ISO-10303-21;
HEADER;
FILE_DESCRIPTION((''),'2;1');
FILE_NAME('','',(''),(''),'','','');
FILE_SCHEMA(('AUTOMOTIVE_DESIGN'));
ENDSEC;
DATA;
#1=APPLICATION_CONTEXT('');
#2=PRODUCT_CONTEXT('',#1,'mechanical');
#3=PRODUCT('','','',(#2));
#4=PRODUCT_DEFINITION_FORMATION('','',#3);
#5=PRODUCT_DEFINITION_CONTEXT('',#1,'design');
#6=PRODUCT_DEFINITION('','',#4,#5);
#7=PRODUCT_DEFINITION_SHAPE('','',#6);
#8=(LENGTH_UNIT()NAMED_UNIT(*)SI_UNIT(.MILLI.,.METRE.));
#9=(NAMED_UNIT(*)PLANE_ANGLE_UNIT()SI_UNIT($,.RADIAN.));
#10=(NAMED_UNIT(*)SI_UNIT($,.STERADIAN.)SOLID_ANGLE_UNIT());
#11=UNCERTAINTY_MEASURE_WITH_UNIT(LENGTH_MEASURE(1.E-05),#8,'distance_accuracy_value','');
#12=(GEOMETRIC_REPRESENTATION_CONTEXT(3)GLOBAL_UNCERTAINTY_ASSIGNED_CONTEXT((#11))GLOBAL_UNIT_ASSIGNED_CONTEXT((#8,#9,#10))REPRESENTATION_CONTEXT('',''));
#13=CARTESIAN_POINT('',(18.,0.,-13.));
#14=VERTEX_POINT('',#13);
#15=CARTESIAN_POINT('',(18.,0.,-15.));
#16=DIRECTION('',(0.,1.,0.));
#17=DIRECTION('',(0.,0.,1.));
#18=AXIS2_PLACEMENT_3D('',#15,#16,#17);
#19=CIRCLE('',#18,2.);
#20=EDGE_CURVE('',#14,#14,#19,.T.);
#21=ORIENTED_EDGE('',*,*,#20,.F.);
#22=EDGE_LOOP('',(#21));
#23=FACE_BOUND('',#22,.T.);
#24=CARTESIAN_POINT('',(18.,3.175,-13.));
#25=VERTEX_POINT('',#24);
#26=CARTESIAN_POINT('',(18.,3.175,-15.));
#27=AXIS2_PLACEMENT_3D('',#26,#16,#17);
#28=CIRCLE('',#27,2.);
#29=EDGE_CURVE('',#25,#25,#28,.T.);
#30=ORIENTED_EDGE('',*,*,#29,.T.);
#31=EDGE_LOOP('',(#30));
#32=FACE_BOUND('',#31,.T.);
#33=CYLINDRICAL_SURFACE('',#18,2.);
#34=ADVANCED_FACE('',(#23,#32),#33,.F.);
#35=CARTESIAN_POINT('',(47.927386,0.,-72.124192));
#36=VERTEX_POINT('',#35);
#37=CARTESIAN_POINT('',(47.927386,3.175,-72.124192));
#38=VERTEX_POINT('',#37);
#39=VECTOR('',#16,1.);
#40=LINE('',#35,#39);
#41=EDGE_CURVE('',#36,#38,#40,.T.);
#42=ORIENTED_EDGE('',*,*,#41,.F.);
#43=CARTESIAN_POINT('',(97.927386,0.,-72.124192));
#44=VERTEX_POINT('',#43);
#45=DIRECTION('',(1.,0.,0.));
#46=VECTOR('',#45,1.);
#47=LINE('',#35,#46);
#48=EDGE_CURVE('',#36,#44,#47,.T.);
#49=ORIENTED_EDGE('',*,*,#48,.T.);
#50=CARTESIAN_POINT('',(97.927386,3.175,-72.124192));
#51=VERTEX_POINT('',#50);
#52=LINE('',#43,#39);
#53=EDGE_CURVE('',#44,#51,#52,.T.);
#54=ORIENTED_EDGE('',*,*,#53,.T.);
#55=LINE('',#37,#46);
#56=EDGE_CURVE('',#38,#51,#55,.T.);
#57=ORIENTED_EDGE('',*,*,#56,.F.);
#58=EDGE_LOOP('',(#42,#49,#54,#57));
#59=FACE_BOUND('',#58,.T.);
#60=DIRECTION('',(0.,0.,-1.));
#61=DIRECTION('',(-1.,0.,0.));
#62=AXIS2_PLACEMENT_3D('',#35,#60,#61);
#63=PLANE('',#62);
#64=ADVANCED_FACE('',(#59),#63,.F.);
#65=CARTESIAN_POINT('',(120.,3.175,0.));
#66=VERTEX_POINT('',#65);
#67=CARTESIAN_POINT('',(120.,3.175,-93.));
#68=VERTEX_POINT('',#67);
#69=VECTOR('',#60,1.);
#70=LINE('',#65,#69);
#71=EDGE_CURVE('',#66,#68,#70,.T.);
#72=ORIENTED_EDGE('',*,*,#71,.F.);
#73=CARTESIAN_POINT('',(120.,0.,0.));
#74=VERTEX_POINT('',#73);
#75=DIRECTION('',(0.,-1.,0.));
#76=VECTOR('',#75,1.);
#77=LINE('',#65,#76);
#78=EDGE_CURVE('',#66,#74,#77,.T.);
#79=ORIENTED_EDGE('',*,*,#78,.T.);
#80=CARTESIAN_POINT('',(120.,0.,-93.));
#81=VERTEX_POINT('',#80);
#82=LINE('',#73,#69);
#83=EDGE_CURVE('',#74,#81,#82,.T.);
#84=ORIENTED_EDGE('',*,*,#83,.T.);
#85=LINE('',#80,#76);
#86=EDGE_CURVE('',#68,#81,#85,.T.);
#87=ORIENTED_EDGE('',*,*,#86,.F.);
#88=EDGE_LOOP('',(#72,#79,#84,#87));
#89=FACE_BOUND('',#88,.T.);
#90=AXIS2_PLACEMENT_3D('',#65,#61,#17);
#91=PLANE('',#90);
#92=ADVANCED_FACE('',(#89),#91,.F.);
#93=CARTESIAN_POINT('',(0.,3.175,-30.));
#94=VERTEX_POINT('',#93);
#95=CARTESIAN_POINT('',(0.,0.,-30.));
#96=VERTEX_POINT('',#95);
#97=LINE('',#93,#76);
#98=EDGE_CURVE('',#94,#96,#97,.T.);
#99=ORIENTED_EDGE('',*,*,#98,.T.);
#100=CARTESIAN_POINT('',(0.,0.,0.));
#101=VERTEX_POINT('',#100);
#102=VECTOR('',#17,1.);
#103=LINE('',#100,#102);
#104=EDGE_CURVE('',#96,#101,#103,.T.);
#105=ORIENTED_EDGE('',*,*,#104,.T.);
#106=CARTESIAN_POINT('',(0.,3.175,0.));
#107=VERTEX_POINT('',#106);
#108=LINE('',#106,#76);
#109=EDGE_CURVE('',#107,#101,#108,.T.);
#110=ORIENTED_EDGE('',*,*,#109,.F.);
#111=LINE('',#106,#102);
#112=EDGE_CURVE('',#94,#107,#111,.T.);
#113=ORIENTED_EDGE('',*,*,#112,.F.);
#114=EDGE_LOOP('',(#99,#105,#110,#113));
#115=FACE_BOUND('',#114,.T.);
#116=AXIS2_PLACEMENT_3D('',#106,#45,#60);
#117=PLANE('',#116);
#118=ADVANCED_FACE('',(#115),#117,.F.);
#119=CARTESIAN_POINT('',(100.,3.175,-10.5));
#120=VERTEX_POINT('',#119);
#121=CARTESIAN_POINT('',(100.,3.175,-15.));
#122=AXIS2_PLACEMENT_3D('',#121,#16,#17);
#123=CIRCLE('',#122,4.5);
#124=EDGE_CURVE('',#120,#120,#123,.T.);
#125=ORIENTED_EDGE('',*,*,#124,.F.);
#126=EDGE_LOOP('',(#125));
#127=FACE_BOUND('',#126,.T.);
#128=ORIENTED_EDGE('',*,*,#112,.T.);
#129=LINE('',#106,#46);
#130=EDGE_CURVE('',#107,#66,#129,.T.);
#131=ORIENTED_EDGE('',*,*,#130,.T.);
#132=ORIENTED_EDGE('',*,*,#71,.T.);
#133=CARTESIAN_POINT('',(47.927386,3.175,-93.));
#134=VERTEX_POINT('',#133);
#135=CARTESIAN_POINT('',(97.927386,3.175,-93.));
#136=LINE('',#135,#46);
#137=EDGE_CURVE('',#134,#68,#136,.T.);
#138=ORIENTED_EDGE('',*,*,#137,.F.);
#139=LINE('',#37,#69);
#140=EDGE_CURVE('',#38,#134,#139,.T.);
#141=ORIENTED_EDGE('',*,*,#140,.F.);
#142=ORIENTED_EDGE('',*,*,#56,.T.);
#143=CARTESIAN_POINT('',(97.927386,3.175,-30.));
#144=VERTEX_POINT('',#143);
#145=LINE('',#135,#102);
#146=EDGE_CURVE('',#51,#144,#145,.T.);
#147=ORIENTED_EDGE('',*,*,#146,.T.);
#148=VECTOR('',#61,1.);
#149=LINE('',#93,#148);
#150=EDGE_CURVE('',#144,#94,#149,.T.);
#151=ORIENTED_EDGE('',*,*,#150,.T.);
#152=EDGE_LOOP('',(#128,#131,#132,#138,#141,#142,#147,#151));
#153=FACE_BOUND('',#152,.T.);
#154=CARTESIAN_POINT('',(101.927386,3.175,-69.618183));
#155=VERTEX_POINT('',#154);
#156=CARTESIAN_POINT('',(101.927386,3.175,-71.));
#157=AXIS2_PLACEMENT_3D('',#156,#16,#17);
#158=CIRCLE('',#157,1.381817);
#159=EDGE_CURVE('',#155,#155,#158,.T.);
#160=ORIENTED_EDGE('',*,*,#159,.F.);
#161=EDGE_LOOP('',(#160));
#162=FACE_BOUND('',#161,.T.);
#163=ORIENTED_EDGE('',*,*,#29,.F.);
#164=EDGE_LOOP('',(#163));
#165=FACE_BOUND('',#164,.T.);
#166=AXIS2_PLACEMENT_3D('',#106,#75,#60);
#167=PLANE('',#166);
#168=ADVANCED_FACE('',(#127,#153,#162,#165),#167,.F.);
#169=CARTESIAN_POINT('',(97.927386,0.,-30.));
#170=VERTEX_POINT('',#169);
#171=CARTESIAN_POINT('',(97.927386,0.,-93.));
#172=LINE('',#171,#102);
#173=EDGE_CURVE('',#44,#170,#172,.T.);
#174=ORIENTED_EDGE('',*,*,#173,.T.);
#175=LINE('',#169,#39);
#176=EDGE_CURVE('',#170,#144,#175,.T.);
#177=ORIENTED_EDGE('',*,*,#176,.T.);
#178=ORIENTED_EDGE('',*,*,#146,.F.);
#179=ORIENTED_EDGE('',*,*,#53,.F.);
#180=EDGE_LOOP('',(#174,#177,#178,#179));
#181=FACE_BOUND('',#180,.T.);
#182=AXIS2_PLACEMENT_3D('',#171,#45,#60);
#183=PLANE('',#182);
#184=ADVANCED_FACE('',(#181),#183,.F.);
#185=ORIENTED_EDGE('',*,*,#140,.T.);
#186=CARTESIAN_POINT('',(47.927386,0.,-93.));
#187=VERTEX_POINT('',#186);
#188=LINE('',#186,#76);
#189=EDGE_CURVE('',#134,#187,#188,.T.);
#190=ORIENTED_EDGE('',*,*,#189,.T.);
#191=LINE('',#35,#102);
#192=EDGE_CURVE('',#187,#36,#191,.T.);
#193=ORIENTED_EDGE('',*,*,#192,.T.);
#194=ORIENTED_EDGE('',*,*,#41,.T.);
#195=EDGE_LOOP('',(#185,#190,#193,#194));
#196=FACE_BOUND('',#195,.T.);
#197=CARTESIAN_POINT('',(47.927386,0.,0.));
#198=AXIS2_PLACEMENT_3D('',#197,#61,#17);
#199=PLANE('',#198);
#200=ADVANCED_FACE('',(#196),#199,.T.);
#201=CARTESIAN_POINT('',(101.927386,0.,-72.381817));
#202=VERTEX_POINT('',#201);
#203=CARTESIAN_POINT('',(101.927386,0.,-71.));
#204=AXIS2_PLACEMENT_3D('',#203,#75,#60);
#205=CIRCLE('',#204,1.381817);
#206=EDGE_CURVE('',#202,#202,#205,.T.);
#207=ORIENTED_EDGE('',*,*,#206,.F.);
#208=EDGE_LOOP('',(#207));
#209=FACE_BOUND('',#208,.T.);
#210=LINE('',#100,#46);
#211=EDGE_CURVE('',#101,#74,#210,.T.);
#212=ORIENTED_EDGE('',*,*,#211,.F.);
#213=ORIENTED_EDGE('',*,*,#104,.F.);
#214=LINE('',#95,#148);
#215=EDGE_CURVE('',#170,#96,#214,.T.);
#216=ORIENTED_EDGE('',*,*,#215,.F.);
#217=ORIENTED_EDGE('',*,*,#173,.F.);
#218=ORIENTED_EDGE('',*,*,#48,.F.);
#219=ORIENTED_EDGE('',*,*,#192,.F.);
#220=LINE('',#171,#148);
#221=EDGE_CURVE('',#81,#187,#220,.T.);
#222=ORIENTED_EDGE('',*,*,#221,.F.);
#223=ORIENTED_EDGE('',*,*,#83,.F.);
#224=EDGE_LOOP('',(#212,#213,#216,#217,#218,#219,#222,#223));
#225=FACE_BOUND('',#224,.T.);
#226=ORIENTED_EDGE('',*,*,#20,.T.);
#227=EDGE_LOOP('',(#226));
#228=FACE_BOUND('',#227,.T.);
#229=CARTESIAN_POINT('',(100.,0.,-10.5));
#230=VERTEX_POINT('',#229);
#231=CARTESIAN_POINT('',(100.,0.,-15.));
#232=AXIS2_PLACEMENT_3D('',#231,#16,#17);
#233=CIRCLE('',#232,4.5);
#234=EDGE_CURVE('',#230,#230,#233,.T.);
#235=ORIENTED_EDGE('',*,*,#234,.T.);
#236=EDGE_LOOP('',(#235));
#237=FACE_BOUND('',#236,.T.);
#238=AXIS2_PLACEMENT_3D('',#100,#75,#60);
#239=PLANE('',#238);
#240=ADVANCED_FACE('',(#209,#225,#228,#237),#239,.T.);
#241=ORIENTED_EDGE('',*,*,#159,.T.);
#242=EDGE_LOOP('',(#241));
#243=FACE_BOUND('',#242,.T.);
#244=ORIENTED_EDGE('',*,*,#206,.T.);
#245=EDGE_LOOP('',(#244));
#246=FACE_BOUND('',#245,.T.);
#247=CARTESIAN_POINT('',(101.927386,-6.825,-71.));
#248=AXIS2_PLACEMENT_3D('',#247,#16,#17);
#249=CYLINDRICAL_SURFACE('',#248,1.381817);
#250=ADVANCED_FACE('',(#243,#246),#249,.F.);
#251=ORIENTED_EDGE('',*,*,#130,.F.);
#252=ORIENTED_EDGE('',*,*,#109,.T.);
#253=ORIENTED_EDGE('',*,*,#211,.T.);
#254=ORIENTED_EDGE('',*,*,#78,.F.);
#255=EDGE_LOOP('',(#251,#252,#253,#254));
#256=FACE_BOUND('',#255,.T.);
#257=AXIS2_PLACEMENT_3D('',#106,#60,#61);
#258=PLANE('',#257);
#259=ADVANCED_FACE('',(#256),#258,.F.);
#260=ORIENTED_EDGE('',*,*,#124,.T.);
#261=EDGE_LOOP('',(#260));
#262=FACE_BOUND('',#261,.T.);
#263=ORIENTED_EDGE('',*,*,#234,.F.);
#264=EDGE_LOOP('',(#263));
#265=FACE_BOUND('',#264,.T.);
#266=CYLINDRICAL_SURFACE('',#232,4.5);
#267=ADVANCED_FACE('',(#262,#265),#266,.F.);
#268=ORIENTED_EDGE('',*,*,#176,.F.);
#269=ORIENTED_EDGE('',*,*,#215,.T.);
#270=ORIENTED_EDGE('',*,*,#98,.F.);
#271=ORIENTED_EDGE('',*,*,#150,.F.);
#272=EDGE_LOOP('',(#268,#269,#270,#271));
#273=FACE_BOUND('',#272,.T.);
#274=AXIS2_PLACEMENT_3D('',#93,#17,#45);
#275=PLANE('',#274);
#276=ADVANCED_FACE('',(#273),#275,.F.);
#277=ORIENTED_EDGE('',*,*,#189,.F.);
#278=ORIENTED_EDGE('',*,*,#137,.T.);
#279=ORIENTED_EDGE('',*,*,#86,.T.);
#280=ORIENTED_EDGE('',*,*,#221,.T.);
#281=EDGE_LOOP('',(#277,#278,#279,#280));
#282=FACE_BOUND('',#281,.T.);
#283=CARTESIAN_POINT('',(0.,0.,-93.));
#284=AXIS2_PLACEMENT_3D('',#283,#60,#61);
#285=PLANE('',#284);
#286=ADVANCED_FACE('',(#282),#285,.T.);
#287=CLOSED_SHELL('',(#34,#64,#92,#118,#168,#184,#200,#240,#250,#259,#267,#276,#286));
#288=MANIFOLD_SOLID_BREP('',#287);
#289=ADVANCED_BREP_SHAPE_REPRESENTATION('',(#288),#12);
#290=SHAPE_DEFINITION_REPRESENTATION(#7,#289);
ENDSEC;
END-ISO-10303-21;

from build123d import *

# Parameters (mm, degrees)
SKETCH1_W           = 120
SKETCH1_H           = 30
BOSS_EXTRUDE1_DEPTH = 3.175
SKETCH2_R           = 2
SKETCH2_R_2         = 4.5
CUT_EXTRUDE1_DEPTH  = 3.175
SKETCH3_W           = 22.072613883
SKETCH3_H           = 3.175
BOSS_EXTRUDE2_DEPTH = 63
SKETCH4_R           = 1.381817411
CUT_EXTRUDE2_DEPTH  = 10
SKETCH5_W           = 20.875808172
SKETCH5_H           = 3.175
BOSS_EXTRUDE3_DEPTH = 50


with BuildPart() as part:
    # Sketch1 → Boss-Extrude1 (new body)
    with BuildSketch(Plane(origin=(0, 0, 0), x_dir=(1, 0, 0), z_dir=(0, 1, 0))):
        with Locations((60, 15)):
            Rectangle(SKETCH1_W, SKETCH1_H)
    extrude(amount=BOSS_EXTRUDE1_DEPTH)

    # Sketch2 → Cut-Extrude1 (cut)
    with BuildSketch(Plane(origin=(0, 3.175, 0), x_dir=(1, 0, 0), z_dir=(0, 1, 0))):
        with Locations(Location((18, 15, 0), (0, 0, 270))):
            Circle(SKETCH2_R)
        with Locations(Location((100, 15, 0), (0, 0, 270))):
            Circle(SKETCH2_R_2)
    extrude(amount=-CUT_EXTRUDE1_DEPTH, mode=Mode.SUBTRACT)

    # Sketch3 → Boss-Extrude2 (add)
    with BuildSketch(Plane(origin=(0, 0, -30), x_dir=(-1, 0, 0), z_dir=(0, 0, -1))):
        with Locations((-108.963693059, 1.5875)):
            Rectangle(SKETCH3_W, SKETCH3_H)
    extrude(amount=BOSS_EXTRUDE2_DEPTH)

    # Sketch4 → Cut-Extrude2 (cut)
    with BuildSketch(Plane(origin=(0, 3.175, 0), x_dir=(1, 0, 0), z_dir=(0, 1, 0))):
        with Locations(Location((101.927386117, 71, 0), (0, 0, 270))):
            Circle(SKETCH4_R)
    extrude(amount=-CUT_EXTRUDE2_DEPTH, mode=Mode.SUBTRACT)

    # Sketch5 → Boss-Extrude3 (add)
    with BuildSketch(Plane.ZY.offset(-97.927386117)):
        with Locations((-82.562095914, 1.5875)):
            Rectangle(SKETCH5_W, SKETCH5_H)
    extrude(amount=BOSS_EXTRUDE3_DEPTH)


solid = part.part
